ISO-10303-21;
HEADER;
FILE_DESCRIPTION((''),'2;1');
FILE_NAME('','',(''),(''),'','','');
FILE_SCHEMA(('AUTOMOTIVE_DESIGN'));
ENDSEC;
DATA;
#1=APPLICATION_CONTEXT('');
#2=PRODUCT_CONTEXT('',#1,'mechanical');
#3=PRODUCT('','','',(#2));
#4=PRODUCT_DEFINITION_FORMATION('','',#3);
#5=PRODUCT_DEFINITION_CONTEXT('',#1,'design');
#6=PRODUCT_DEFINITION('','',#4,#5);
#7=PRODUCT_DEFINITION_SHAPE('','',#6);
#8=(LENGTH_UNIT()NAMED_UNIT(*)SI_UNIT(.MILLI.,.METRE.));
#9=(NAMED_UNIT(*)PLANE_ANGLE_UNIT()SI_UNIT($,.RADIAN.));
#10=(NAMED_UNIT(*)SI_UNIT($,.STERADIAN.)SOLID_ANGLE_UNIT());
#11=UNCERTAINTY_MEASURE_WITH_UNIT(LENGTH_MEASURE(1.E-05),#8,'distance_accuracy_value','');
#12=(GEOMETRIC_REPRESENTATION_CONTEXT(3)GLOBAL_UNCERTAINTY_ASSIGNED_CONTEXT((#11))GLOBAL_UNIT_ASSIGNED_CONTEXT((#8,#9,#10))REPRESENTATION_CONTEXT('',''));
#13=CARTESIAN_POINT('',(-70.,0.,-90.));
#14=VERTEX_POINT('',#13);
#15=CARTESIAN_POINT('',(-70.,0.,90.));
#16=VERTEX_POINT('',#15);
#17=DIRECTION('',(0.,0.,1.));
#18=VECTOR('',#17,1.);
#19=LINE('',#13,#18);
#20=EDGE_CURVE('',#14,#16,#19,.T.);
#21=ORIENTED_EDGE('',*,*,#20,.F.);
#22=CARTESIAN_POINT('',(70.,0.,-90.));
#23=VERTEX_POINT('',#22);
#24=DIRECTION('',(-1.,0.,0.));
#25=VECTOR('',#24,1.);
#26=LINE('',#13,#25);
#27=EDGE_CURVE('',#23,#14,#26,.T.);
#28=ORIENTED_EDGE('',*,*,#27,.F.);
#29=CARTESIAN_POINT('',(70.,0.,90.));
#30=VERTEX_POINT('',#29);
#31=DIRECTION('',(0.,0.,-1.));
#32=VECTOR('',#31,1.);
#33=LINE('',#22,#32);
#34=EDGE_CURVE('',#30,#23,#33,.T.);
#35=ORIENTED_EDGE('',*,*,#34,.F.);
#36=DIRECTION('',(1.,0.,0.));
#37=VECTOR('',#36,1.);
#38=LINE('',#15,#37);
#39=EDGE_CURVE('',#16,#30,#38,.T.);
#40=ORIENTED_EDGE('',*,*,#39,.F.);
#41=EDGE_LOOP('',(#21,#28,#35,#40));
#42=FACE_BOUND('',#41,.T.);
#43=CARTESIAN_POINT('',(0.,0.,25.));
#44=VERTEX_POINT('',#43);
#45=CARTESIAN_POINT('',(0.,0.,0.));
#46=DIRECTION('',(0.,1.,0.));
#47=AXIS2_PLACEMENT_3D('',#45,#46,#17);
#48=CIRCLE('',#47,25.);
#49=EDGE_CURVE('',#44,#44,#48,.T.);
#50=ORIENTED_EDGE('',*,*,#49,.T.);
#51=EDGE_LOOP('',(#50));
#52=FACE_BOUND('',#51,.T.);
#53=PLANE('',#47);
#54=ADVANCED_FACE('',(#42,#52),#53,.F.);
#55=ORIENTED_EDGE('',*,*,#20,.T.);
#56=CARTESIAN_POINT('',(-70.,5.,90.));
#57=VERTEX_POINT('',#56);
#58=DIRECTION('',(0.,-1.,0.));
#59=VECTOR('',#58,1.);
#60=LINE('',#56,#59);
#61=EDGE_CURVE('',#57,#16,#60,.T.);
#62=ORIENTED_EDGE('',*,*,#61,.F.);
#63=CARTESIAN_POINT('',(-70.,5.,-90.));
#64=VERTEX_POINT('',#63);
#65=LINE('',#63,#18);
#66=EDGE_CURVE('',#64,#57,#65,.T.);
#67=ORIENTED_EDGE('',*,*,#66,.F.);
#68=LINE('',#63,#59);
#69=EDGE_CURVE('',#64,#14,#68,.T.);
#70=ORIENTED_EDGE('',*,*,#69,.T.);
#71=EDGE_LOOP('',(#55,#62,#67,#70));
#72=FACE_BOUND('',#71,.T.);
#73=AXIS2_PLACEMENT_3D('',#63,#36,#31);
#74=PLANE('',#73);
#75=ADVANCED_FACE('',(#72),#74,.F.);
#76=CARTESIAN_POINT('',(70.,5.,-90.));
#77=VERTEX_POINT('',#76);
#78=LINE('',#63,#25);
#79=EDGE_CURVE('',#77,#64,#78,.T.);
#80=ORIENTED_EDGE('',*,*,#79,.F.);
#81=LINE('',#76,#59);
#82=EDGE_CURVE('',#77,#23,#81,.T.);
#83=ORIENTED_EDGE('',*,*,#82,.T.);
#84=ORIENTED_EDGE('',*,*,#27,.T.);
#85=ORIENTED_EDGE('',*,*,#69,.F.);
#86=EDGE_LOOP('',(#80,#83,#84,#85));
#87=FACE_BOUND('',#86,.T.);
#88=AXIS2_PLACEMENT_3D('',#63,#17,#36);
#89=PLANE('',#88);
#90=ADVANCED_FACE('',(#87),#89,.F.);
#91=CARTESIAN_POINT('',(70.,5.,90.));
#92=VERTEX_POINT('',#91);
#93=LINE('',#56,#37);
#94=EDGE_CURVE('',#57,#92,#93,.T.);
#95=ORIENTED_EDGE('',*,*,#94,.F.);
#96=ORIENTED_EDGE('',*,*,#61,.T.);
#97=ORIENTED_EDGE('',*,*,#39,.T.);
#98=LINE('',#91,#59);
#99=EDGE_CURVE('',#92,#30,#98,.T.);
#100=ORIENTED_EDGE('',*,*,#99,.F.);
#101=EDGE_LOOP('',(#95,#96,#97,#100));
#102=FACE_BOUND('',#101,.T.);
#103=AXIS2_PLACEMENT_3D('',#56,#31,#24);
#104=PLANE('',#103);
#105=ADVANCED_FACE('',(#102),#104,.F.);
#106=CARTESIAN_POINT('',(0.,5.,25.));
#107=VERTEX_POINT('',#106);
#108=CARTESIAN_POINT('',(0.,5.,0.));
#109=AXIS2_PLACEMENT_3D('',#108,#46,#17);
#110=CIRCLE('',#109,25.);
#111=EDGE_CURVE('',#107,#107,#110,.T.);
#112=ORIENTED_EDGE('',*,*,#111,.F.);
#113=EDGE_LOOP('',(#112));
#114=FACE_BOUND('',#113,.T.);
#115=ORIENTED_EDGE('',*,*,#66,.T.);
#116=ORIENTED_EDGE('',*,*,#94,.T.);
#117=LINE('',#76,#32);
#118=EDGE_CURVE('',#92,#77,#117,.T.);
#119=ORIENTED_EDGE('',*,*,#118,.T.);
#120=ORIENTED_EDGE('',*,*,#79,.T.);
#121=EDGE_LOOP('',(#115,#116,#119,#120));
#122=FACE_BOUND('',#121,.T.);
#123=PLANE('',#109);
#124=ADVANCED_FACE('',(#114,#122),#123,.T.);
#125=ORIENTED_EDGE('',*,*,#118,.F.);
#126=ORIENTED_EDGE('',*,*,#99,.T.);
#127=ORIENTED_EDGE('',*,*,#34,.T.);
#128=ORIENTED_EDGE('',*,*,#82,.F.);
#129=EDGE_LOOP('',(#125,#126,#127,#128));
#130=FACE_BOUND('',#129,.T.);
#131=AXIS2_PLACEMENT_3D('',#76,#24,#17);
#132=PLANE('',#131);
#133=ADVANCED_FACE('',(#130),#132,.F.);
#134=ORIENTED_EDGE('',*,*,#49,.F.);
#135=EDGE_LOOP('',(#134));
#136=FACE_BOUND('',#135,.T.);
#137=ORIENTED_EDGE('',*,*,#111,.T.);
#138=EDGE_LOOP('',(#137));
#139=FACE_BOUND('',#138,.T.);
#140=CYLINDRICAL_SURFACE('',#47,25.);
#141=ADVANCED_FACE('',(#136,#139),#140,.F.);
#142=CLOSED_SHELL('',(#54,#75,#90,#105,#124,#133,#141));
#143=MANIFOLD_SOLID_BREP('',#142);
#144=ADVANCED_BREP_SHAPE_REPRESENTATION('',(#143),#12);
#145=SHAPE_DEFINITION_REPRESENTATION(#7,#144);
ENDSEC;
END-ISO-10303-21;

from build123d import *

# Parameters (mm, degrees)
SKETCH1_W           = 140
SKETCH1_H           = 180
BOSS_EXTRUDE1_DEPTH = 5
SKETCH2_R           = 25
CUT_EXTRUDE1_DEPTH  = 115.127122105


with BuildPart() as part:
    # Sketch1 → Boss-Extrude1 (new body)
    with BuildSketch(Plane(origin=(0, 0, 0), x_dir=(1, 0, 0), z_dir=(0, 1, 0))):
        Rectangle(SKETCH1_W, SKETCH1_H)
    extrude(amount=BOSS_EXTRUDE1_DEPTH)

    # Sketch2 → Cut-Extrude1 (cut, through all)
    with BuildSketch(Plane(origin=(0, 5, 0), x_dir=(1, 0, 0), z_dir=(0, 1, 0))):
        with Locations(Location((0, 0, 0), (0, 0, 270))):
            Circle(SKETCH2_R)
    extrude(amount=-CUT_EXTRUDE1_DEPTH, mode=Mode.SUBTRACT)


solid = part.part
